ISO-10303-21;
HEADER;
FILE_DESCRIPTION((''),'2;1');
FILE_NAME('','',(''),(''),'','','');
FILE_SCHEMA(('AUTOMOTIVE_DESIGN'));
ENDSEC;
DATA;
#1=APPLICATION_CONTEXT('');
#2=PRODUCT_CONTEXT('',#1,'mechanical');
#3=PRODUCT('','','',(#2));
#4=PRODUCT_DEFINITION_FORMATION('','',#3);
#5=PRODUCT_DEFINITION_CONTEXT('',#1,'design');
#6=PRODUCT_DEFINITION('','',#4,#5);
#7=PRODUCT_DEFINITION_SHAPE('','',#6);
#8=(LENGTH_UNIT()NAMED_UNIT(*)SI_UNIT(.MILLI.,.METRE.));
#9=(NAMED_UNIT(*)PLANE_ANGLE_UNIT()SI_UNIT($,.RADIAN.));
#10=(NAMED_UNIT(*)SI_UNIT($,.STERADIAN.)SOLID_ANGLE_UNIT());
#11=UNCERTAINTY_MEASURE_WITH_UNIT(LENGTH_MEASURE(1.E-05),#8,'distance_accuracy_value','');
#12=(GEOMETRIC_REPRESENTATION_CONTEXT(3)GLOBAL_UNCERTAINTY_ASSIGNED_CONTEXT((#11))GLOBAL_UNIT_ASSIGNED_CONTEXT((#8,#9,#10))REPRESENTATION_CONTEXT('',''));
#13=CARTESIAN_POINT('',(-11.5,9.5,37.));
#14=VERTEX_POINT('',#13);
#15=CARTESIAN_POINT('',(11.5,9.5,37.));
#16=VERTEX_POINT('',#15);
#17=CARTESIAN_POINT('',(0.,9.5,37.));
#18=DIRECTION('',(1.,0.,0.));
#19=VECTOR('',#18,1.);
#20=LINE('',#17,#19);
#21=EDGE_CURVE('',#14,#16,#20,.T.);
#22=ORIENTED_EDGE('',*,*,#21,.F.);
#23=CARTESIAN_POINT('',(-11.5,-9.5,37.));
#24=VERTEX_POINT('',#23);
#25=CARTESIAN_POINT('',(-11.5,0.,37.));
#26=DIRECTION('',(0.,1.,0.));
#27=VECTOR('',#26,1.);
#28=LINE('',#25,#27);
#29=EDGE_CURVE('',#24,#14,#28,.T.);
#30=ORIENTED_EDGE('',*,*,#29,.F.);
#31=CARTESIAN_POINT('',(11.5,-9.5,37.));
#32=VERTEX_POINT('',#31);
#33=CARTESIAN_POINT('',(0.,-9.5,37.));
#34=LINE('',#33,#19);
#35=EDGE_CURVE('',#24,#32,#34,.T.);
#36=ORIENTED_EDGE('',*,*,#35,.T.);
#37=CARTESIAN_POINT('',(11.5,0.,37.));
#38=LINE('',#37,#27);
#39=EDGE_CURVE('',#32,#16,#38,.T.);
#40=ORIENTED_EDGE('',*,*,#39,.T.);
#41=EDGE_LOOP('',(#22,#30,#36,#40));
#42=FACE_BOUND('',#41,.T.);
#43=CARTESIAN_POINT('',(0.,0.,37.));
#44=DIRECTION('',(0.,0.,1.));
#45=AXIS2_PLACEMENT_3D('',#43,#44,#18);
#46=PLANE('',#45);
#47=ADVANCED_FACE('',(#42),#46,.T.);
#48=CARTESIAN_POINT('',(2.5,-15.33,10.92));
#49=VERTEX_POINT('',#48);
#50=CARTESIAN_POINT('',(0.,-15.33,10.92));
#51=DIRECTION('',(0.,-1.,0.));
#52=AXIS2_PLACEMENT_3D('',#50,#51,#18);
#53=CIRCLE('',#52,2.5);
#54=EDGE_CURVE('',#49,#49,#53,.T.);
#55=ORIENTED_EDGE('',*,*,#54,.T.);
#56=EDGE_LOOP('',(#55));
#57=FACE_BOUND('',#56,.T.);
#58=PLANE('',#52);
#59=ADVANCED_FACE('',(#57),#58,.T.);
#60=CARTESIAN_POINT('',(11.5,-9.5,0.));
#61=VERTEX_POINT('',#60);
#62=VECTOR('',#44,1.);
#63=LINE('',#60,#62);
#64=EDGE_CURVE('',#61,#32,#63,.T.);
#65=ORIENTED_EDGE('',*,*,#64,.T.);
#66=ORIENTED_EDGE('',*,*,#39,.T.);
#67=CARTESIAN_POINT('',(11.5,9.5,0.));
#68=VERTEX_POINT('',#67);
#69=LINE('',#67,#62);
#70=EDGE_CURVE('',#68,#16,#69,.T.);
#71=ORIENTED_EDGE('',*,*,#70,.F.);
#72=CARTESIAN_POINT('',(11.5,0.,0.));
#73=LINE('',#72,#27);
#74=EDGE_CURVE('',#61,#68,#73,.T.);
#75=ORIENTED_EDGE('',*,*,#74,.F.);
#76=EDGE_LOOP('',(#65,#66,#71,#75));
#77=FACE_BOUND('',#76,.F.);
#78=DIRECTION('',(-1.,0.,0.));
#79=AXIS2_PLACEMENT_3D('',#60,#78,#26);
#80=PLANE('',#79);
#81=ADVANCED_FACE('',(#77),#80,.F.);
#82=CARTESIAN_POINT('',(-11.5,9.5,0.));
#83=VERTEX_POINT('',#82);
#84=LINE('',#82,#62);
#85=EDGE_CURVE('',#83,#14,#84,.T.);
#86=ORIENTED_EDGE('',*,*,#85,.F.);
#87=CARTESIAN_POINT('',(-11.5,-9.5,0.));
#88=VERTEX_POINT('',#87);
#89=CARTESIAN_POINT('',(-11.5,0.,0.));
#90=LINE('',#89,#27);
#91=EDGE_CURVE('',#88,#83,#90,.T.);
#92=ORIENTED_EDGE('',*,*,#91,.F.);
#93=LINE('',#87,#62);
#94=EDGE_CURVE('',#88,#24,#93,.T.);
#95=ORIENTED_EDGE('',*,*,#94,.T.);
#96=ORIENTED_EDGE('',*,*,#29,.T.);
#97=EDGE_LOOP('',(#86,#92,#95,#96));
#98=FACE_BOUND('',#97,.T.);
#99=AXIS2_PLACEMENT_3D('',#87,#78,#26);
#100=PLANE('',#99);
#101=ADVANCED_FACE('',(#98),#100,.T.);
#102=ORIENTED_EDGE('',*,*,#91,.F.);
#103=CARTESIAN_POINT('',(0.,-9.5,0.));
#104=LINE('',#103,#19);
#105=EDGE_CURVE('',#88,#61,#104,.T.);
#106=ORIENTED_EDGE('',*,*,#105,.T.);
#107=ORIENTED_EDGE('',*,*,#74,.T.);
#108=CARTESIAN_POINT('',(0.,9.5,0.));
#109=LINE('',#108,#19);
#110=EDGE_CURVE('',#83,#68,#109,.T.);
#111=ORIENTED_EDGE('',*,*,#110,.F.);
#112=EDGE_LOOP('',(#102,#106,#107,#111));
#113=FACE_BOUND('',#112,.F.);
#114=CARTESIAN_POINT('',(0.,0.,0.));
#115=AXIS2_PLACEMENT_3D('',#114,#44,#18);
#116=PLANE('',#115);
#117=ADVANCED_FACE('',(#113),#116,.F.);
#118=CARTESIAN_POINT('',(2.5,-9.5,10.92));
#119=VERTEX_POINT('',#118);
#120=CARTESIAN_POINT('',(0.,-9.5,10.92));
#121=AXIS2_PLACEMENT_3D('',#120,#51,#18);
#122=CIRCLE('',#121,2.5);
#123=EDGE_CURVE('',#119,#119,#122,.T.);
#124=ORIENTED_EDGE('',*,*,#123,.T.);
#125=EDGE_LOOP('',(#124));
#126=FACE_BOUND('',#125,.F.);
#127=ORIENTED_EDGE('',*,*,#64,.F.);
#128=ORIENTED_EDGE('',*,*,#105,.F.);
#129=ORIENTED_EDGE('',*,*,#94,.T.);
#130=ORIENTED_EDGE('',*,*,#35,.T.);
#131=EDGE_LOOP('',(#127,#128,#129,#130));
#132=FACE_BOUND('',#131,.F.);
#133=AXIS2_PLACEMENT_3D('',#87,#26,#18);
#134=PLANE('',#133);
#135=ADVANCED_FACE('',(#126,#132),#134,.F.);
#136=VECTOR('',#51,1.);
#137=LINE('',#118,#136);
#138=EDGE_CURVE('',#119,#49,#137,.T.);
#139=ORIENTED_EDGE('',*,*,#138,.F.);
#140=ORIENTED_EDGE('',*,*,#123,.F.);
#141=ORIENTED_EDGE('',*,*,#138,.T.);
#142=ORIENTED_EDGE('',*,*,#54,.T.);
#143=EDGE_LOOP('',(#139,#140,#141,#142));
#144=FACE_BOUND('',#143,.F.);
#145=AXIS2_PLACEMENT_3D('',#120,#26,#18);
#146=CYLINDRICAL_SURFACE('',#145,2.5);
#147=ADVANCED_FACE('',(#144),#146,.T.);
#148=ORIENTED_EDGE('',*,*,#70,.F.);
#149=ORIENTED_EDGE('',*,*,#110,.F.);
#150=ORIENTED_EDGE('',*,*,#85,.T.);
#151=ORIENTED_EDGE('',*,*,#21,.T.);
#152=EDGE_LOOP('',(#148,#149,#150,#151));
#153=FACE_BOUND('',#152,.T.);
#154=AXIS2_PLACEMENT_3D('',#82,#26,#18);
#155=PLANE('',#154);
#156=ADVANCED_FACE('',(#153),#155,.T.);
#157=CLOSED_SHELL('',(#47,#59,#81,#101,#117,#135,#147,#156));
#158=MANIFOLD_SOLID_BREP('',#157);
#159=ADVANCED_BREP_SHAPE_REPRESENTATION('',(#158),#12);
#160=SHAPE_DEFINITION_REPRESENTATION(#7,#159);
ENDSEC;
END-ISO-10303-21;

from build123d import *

# Parameters (mm, degrees)
F0_W     = 23
F0_H     = 19
F1_DEPTH = 37
F2_R     = 2.5
F3_DEPTH = 5.83


with BuildPart() as f1:
    # F0 (on Top) → F1 (new body)
    with BuildSketch(Plane.XY):
        Rectangle(F0_W, F0_H)
    extrude(amount=F1_DEPTH)

    # F2 (on face) → F3 (join)
    with BuildSketch(Plane.XZ.offset(9.5)):
        with Locations((0, 10.92)):
            Circle(F2_R)
    extrude(amount=F3_DEPTH)


solid = f1.part
